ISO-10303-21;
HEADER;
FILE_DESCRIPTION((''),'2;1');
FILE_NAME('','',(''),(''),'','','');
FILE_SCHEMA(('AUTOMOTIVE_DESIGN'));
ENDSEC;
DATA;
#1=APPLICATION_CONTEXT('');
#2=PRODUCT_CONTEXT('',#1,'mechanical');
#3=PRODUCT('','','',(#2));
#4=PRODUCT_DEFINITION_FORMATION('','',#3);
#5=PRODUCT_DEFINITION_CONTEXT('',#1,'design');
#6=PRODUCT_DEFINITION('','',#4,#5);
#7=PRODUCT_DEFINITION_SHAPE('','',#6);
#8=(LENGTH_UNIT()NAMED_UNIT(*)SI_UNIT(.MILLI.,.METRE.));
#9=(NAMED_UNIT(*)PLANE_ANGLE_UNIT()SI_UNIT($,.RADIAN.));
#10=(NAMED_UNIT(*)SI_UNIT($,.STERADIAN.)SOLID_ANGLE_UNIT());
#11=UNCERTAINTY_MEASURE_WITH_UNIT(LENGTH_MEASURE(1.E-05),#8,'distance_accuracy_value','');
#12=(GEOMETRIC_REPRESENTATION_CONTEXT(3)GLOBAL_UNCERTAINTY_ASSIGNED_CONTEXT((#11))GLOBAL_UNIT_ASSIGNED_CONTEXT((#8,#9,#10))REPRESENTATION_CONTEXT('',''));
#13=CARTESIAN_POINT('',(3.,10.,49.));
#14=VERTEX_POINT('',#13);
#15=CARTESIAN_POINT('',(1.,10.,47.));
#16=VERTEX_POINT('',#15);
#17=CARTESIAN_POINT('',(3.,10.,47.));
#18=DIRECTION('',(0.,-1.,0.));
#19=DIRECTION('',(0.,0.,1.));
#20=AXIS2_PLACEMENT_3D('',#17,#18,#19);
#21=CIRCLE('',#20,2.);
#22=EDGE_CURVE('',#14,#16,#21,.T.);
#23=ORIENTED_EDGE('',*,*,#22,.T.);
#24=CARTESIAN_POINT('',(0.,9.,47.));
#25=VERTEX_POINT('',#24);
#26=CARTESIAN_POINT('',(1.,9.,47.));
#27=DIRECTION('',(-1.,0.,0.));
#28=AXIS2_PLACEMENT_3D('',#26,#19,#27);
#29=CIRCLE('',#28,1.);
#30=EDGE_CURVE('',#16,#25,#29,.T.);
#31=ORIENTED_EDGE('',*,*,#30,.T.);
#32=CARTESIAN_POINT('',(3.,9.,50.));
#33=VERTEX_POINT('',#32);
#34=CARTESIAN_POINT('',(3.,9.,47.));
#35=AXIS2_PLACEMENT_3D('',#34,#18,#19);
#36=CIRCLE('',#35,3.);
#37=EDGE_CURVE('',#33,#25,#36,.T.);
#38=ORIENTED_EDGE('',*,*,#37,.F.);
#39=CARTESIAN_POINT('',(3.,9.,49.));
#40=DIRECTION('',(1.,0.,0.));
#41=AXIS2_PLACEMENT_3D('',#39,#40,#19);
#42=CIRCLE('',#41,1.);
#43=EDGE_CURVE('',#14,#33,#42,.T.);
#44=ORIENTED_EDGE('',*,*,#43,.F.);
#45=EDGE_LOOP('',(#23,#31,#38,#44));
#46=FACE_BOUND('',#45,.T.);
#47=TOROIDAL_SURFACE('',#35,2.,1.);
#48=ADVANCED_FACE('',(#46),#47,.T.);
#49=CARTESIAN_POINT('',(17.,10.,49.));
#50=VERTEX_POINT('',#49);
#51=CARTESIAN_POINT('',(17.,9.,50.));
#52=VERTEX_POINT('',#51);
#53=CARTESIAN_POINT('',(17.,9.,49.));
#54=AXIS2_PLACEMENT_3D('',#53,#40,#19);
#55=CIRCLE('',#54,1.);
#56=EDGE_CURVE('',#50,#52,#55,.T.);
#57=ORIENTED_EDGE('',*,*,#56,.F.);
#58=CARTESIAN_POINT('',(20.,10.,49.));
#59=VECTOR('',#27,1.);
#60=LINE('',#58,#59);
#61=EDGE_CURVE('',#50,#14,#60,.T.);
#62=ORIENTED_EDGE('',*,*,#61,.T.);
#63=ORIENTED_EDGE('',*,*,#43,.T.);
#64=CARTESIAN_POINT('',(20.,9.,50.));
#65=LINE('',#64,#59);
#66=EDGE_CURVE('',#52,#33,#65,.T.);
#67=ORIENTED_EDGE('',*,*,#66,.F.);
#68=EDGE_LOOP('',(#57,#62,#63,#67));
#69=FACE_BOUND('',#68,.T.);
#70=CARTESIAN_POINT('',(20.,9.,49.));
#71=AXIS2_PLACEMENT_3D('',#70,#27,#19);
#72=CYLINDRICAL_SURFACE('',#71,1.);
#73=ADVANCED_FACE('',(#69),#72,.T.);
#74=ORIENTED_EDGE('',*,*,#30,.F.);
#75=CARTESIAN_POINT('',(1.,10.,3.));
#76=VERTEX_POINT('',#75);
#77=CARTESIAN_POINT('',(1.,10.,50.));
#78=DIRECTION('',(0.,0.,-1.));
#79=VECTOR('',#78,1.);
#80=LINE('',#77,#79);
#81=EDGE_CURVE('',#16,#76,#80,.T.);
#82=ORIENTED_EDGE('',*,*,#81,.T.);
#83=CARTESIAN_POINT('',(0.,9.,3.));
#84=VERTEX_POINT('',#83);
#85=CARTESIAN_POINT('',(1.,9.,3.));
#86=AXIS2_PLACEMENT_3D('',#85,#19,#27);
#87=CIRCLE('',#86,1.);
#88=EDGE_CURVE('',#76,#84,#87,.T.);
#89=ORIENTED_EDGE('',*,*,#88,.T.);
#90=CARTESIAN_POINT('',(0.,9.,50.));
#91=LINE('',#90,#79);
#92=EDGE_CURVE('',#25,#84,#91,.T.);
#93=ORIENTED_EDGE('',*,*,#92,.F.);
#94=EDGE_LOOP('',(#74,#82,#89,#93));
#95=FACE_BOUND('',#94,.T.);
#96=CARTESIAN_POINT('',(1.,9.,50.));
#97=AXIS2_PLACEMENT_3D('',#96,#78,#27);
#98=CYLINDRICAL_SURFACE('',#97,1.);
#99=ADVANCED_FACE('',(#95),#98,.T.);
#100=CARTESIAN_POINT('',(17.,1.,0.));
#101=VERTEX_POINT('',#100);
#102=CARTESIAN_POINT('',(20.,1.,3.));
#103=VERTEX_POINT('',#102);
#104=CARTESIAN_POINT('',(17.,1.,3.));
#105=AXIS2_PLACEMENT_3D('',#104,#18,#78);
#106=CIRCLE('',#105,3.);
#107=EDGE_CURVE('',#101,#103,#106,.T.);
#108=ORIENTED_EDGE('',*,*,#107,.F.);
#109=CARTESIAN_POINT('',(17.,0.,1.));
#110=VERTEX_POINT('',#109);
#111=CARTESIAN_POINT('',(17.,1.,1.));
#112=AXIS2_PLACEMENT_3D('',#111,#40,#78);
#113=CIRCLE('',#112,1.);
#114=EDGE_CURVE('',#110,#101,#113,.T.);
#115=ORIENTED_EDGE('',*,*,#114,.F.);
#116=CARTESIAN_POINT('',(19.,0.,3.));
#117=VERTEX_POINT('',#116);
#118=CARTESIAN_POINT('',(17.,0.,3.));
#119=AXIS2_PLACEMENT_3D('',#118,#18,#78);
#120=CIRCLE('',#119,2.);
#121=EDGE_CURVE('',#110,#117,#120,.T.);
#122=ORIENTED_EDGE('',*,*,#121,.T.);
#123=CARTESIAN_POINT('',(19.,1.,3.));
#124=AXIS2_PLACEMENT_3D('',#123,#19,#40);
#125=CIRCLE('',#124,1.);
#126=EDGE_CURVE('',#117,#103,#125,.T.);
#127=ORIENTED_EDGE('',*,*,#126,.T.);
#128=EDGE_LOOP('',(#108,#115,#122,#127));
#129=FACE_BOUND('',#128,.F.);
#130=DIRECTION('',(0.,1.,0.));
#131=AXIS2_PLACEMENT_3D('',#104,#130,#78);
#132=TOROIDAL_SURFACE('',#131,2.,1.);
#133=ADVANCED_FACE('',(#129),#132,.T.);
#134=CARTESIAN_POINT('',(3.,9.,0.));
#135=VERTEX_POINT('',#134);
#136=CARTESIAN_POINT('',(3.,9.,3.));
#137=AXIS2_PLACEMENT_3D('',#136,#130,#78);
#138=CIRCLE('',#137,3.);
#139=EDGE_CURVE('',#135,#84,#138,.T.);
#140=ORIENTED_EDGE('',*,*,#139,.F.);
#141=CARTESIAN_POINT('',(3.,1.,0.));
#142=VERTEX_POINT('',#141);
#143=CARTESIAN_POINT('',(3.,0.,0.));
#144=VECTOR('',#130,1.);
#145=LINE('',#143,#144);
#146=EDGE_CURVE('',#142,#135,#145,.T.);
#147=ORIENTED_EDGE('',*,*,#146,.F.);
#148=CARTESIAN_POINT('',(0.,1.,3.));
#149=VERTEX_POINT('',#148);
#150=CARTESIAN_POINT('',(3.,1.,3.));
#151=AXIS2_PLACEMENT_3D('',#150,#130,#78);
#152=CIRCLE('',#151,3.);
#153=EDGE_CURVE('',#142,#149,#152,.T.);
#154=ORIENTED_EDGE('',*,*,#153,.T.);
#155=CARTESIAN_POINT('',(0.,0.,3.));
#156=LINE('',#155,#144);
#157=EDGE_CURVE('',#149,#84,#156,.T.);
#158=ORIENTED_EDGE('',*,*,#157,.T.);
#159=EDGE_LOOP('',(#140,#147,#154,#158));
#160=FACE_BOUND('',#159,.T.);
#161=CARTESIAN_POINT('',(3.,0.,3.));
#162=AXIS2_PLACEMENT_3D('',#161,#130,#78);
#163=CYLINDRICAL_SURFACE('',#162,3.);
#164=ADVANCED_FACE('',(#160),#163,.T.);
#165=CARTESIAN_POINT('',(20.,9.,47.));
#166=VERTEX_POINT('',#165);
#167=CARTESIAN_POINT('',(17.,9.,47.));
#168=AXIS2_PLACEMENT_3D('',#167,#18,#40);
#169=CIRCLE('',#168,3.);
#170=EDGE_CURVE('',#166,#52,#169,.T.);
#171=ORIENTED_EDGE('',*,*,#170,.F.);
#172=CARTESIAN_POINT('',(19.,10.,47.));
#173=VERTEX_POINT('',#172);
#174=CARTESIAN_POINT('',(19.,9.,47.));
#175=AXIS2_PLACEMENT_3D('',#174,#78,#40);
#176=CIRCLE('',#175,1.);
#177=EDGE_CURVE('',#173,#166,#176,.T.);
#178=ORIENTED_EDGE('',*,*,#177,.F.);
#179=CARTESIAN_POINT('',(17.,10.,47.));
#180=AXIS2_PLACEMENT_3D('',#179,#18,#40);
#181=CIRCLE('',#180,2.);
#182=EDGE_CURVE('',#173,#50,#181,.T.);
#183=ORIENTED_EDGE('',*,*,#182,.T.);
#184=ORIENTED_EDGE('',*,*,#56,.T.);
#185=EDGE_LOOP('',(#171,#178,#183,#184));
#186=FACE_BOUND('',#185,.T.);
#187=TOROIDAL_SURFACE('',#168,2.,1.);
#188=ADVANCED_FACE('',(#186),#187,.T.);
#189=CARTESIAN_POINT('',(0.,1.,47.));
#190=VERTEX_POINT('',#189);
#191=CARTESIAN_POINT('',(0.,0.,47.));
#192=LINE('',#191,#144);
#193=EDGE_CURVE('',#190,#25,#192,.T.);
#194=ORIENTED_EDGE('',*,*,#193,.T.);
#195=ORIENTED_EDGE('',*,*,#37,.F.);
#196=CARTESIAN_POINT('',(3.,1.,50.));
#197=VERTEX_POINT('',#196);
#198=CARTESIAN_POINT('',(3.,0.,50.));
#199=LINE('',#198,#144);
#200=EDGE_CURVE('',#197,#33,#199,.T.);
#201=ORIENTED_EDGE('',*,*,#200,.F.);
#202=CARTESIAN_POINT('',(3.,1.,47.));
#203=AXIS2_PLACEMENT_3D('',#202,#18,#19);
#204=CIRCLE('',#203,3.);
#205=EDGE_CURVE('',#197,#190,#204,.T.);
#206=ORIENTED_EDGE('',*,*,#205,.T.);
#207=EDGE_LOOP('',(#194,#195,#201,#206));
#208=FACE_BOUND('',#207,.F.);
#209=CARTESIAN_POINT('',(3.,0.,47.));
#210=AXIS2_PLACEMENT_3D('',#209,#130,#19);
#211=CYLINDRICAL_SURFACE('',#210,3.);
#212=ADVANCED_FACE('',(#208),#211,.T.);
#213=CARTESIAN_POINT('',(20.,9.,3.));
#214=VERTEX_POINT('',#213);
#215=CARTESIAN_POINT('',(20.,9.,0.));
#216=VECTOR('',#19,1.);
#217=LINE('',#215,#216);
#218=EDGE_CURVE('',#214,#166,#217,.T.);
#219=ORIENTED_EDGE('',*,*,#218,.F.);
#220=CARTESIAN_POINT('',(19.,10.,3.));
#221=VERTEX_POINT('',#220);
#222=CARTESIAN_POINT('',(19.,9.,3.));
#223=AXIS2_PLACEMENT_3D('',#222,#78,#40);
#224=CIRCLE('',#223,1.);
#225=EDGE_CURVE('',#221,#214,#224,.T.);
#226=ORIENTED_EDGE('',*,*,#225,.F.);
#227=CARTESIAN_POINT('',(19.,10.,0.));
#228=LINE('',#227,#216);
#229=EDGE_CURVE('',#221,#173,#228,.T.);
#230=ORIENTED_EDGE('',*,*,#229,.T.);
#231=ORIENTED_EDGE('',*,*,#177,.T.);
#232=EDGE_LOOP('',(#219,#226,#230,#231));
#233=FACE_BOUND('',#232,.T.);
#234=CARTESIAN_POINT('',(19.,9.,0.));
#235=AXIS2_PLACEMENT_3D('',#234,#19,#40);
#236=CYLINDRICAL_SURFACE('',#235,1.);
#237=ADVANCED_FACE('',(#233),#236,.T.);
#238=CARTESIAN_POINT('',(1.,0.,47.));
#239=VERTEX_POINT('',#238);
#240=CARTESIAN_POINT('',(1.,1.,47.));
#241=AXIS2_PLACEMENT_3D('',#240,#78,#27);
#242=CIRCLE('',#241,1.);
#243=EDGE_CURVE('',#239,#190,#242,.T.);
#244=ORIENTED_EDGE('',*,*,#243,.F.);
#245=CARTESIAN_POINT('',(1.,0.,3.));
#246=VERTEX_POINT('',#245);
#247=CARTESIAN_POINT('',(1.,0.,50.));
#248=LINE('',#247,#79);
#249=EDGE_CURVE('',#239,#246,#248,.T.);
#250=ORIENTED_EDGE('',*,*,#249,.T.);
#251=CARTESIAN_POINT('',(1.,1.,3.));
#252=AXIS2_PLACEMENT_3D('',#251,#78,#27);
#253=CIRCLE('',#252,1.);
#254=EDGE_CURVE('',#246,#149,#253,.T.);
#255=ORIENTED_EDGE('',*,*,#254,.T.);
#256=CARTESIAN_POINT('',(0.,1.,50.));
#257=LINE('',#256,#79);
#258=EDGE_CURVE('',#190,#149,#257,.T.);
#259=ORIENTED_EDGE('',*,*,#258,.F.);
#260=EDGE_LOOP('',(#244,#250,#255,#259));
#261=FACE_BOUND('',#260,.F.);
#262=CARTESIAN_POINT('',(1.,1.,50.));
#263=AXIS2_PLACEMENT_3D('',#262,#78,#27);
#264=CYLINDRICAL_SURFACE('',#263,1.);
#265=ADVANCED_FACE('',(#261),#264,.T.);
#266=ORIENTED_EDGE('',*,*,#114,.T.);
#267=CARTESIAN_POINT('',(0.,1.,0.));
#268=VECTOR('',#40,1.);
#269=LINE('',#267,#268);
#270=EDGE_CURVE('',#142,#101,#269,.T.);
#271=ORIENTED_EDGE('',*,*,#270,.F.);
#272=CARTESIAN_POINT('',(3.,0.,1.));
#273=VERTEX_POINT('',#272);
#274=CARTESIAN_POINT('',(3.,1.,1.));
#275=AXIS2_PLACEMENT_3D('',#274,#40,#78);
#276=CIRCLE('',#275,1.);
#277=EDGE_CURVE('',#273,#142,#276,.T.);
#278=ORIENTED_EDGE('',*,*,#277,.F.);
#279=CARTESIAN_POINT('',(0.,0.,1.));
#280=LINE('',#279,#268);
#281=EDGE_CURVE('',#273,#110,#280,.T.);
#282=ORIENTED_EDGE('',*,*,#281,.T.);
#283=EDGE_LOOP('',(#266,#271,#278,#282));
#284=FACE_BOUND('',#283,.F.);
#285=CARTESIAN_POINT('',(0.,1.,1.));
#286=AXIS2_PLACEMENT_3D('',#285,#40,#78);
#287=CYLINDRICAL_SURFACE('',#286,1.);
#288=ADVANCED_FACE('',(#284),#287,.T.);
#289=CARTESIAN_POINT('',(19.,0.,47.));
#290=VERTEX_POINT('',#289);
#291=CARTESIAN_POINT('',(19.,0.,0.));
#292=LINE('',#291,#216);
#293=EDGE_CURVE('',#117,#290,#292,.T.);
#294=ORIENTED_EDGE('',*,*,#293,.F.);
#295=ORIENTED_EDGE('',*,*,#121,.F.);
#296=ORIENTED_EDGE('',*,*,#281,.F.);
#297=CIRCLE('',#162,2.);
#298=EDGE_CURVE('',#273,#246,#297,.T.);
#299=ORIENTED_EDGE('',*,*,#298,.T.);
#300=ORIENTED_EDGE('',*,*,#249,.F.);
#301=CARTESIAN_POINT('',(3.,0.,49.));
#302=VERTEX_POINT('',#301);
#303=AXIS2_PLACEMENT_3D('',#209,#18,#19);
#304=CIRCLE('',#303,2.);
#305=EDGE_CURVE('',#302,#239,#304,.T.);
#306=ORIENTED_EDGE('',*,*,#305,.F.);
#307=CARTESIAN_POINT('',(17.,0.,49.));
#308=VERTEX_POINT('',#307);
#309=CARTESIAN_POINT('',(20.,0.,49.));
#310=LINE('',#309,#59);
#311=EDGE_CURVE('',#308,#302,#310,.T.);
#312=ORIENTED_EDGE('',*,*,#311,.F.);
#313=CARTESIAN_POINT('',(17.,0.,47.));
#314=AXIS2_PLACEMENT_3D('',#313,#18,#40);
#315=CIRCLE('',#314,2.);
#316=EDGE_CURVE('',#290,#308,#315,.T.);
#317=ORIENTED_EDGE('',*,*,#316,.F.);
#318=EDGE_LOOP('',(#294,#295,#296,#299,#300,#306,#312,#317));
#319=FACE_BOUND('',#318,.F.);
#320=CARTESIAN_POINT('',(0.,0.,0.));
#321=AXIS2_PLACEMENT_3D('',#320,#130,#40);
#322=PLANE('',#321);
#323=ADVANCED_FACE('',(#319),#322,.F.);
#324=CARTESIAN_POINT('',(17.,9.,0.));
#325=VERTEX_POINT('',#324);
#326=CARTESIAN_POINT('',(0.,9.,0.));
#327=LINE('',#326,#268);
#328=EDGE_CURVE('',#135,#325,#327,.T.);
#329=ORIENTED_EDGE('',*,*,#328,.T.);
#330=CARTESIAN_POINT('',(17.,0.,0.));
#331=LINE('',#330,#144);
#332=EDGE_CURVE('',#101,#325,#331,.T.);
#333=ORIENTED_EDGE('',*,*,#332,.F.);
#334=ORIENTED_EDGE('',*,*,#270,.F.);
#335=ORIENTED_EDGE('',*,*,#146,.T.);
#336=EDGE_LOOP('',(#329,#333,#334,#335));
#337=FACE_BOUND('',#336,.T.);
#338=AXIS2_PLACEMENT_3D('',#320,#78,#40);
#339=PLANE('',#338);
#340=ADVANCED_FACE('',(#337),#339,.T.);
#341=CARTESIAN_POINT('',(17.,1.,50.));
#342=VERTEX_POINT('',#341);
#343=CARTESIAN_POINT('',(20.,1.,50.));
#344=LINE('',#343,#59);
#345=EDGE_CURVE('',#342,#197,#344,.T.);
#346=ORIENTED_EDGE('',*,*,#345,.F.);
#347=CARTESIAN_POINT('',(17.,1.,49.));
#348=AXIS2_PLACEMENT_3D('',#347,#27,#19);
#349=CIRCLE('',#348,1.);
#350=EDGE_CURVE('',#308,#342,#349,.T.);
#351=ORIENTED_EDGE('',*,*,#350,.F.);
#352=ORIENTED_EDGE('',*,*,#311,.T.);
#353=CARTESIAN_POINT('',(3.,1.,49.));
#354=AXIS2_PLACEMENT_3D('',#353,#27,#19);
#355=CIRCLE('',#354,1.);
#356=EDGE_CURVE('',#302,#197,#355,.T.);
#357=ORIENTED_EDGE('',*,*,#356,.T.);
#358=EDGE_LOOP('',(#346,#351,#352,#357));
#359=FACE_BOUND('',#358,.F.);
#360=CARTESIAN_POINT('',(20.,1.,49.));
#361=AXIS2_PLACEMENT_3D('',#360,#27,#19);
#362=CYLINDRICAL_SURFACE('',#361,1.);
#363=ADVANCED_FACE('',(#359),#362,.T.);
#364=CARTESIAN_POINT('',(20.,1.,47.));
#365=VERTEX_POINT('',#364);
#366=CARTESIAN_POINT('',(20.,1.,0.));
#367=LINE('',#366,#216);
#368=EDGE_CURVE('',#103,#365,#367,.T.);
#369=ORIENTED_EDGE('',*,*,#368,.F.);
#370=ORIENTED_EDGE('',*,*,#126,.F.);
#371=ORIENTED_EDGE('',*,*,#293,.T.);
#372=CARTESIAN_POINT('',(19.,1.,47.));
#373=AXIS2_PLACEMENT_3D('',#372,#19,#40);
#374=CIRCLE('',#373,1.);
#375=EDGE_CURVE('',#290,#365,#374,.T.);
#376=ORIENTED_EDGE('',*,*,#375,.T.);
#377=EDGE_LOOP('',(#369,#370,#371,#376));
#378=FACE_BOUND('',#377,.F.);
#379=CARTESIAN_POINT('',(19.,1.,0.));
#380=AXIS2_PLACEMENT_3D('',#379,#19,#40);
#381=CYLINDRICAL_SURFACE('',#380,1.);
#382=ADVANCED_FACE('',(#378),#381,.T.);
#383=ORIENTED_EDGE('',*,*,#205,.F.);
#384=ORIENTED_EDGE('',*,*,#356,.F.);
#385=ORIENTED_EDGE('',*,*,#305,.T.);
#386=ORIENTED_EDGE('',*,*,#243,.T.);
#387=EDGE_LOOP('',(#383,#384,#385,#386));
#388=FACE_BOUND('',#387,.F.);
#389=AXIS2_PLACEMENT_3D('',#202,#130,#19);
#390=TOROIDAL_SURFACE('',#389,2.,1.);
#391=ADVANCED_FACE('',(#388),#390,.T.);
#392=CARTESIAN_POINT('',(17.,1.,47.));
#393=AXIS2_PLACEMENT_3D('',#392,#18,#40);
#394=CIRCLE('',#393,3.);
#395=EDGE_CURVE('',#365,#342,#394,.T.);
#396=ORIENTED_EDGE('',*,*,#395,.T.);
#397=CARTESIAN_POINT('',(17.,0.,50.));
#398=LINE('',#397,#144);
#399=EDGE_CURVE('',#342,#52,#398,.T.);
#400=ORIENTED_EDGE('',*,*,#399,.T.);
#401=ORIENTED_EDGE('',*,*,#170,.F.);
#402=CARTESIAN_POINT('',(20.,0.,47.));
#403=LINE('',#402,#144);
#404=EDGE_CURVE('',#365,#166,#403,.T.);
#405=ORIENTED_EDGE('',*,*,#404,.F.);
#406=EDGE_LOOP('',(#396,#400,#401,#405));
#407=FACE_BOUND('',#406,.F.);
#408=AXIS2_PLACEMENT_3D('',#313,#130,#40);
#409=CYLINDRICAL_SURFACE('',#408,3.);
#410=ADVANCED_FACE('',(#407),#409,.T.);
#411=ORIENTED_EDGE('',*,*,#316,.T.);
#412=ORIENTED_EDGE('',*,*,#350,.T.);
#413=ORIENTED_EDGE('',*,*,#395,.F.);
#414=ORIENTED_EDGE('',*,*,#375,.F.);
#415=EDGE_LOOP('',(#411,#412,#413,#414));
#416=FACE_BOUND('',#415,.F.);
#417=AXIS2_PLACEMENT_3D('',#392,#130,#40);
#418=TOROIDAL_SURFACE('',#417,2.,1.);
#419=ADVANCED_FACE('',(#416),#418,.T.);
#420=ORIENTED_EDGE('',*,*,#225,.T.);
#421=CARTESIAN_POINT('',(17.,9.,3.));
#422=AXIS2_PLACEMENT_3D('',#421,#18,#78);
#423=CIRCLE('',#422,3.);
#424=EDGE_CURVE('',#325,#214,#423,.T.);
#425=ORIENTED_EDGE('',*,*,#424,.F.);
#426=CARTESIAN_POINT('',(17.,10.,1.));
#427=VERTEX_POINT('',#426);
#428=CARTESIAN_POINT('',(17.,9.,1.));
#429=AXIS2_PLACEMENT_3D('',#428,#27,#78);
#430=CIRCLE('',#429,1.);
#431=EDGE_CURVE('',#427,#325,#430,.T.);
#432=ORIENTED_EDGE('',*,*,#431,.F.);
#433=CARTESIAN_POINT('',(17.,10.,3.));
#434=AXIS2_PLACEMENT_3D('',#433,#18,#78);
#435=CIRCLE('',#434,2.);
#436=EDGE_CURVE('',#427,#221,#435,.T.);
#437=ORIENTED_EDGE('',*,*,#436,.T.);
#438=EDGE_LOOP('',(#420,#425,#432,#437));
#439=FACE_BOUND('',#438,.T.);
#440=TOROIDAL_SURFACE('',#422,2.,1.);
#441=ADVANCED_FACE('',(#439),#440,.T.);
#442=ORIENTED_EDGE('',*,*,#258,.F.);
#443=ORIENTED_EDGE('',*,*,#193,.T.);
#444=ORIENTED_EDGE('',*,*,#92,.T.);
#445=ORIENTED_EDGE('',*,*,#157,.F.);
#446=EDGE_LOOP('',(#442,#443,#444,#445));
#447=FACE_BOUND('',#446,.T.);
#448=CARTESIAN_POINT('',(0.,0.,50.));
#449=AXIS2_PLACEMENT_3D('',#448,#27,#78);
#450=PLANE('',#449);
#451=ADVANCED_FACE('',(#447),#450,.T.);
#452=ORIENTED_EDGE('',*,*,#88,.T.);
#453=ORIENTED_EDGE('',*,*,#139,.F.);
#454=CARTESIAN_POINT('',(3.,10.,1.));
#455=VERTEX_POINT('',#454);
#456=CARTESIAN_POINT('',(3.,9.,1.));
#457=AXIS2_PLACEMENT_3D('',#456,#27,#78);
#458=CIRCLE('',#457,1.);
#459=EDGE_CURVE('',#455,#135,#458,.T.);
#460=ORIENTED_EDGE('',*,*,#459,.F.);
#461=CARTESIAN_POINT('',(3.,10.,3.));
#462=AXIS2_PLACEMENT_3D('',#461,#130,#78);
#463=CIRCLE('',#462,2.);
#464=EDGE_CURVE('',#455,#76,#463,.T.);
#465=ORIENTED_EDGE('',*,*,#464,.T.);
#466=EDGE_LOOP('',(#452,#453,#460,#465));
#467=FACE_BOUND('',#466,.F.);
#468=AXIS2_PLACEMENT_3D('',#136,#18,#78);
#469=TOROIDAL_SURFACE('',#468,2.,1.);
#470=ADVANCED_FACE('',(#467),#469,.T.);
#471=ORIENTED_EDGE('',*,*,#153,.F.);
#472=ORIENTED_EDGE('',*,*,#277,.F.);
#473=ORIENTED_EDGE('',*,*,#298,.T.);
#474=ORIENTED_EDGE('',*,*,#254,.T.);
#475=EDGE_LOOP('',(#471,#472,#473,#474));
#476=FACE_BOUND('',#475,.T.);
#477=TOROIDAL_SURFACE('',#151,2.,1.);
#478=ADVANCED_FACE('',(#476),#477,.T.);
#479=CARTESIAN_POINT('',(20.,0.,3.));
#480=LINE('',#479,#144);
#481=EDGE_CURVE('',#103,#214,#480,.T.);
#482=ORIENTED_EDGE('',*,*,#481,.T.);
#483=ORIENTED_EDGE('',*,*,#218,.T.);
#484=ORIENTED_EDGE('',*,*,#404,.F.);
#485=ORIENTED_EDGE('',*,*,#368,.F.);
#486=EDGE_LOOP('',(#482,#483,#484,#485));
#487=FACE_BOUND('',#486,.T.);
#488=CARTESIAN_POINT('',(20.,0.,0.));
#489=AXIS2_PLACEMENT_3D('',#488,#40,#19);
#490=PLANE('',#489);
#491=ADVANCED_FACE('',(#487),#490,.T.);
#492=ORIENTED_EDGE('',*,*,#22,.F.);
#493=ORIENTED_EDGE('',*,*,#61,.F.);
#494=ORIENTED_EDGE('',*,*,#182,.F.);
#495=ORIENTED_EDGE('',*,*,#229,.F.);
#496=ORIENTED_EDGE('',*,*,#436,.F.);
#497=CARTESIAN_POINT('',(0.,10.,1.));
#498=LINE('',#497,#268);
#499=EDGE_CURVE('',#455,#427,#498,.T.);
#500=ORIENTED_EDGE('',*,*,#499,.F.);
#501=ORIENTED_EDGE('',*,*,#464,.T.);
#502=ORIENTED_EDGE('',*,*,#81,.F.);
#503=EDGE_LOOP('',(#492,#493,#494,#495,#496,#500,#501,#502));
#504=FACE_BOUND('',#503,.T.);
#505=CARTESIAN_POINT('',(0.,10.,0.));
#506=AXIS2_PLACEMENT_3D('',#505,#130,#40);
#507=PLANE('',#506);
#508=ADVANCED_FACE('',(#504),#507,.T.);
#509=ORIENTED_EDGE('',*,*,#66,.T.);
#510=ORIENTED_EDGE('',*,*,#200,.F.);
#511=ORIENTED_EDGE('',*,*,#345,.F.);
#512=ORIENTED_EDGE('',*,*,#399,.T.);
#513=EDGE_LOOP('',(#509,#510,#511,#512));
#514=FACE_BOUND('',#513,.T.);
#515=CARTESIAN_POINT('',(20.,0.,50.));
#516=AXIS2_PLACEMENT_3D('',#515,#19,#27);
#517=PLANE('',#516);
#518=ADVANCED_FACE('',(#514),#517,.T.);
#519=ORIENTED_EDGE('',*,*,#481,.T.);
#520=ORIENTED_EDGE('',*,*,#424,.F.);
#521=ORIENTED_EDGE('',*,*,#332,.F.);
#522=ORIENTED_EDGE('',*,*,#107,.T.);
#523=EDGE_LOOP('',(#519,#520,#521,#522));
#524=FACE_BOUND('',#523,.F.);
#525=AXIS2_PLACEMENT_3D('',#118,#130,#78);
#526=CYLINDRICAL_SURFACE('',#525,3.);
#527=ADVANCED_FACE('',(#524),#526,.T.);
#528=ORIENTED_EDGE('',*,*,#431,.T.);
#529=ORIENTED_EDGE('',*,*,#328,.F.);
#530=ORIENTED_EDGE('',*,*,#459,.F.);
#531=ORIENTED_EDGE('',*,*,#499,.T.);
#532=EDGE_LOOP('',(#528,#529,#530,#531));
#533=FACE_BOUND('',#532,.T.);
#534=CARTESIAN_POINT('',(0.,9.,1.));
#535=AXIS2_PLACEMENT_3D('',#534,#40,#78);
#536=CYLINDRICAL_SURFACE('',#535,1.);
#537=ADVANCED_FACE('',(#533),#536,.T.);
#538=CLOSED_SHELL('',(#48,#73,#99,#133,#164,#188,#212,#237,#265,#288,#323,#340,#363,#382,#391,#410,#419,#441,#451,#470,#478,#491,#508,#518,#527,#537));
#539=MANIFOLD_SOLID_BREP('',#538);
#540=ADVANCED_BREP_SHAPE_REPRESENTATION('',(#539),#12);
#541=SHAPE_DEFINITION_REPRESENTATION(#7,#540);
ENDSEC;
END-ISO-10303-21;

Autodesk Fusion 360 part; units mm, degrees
sketch "Sketch1" plane through (0, 0, 0) normal (0, 1, 0) x (1, 0, 0)
  line L0 (0, 0) -> (20, 0)
  line L1 (20, 0) -> (20, -50)
  line L2 (20, -50) -> (0, -50)
  line L3 (0, -50) -> (0, 0)
  dimension "d1" = 20
  dimension "d2" = 50
extrude "Extrude1" add sketch "Sketch1" along normal blind 10
fillet "Fillet1" radius 3 4 edges at (20, 5, 50) (0, 5, 50) (0, 5, 0) (20, 5, 0)
fillet "Fillet1" radius 1 2 faces at (6.6667, 10, 16.6667) (6.6667, 0, 16.6667)
